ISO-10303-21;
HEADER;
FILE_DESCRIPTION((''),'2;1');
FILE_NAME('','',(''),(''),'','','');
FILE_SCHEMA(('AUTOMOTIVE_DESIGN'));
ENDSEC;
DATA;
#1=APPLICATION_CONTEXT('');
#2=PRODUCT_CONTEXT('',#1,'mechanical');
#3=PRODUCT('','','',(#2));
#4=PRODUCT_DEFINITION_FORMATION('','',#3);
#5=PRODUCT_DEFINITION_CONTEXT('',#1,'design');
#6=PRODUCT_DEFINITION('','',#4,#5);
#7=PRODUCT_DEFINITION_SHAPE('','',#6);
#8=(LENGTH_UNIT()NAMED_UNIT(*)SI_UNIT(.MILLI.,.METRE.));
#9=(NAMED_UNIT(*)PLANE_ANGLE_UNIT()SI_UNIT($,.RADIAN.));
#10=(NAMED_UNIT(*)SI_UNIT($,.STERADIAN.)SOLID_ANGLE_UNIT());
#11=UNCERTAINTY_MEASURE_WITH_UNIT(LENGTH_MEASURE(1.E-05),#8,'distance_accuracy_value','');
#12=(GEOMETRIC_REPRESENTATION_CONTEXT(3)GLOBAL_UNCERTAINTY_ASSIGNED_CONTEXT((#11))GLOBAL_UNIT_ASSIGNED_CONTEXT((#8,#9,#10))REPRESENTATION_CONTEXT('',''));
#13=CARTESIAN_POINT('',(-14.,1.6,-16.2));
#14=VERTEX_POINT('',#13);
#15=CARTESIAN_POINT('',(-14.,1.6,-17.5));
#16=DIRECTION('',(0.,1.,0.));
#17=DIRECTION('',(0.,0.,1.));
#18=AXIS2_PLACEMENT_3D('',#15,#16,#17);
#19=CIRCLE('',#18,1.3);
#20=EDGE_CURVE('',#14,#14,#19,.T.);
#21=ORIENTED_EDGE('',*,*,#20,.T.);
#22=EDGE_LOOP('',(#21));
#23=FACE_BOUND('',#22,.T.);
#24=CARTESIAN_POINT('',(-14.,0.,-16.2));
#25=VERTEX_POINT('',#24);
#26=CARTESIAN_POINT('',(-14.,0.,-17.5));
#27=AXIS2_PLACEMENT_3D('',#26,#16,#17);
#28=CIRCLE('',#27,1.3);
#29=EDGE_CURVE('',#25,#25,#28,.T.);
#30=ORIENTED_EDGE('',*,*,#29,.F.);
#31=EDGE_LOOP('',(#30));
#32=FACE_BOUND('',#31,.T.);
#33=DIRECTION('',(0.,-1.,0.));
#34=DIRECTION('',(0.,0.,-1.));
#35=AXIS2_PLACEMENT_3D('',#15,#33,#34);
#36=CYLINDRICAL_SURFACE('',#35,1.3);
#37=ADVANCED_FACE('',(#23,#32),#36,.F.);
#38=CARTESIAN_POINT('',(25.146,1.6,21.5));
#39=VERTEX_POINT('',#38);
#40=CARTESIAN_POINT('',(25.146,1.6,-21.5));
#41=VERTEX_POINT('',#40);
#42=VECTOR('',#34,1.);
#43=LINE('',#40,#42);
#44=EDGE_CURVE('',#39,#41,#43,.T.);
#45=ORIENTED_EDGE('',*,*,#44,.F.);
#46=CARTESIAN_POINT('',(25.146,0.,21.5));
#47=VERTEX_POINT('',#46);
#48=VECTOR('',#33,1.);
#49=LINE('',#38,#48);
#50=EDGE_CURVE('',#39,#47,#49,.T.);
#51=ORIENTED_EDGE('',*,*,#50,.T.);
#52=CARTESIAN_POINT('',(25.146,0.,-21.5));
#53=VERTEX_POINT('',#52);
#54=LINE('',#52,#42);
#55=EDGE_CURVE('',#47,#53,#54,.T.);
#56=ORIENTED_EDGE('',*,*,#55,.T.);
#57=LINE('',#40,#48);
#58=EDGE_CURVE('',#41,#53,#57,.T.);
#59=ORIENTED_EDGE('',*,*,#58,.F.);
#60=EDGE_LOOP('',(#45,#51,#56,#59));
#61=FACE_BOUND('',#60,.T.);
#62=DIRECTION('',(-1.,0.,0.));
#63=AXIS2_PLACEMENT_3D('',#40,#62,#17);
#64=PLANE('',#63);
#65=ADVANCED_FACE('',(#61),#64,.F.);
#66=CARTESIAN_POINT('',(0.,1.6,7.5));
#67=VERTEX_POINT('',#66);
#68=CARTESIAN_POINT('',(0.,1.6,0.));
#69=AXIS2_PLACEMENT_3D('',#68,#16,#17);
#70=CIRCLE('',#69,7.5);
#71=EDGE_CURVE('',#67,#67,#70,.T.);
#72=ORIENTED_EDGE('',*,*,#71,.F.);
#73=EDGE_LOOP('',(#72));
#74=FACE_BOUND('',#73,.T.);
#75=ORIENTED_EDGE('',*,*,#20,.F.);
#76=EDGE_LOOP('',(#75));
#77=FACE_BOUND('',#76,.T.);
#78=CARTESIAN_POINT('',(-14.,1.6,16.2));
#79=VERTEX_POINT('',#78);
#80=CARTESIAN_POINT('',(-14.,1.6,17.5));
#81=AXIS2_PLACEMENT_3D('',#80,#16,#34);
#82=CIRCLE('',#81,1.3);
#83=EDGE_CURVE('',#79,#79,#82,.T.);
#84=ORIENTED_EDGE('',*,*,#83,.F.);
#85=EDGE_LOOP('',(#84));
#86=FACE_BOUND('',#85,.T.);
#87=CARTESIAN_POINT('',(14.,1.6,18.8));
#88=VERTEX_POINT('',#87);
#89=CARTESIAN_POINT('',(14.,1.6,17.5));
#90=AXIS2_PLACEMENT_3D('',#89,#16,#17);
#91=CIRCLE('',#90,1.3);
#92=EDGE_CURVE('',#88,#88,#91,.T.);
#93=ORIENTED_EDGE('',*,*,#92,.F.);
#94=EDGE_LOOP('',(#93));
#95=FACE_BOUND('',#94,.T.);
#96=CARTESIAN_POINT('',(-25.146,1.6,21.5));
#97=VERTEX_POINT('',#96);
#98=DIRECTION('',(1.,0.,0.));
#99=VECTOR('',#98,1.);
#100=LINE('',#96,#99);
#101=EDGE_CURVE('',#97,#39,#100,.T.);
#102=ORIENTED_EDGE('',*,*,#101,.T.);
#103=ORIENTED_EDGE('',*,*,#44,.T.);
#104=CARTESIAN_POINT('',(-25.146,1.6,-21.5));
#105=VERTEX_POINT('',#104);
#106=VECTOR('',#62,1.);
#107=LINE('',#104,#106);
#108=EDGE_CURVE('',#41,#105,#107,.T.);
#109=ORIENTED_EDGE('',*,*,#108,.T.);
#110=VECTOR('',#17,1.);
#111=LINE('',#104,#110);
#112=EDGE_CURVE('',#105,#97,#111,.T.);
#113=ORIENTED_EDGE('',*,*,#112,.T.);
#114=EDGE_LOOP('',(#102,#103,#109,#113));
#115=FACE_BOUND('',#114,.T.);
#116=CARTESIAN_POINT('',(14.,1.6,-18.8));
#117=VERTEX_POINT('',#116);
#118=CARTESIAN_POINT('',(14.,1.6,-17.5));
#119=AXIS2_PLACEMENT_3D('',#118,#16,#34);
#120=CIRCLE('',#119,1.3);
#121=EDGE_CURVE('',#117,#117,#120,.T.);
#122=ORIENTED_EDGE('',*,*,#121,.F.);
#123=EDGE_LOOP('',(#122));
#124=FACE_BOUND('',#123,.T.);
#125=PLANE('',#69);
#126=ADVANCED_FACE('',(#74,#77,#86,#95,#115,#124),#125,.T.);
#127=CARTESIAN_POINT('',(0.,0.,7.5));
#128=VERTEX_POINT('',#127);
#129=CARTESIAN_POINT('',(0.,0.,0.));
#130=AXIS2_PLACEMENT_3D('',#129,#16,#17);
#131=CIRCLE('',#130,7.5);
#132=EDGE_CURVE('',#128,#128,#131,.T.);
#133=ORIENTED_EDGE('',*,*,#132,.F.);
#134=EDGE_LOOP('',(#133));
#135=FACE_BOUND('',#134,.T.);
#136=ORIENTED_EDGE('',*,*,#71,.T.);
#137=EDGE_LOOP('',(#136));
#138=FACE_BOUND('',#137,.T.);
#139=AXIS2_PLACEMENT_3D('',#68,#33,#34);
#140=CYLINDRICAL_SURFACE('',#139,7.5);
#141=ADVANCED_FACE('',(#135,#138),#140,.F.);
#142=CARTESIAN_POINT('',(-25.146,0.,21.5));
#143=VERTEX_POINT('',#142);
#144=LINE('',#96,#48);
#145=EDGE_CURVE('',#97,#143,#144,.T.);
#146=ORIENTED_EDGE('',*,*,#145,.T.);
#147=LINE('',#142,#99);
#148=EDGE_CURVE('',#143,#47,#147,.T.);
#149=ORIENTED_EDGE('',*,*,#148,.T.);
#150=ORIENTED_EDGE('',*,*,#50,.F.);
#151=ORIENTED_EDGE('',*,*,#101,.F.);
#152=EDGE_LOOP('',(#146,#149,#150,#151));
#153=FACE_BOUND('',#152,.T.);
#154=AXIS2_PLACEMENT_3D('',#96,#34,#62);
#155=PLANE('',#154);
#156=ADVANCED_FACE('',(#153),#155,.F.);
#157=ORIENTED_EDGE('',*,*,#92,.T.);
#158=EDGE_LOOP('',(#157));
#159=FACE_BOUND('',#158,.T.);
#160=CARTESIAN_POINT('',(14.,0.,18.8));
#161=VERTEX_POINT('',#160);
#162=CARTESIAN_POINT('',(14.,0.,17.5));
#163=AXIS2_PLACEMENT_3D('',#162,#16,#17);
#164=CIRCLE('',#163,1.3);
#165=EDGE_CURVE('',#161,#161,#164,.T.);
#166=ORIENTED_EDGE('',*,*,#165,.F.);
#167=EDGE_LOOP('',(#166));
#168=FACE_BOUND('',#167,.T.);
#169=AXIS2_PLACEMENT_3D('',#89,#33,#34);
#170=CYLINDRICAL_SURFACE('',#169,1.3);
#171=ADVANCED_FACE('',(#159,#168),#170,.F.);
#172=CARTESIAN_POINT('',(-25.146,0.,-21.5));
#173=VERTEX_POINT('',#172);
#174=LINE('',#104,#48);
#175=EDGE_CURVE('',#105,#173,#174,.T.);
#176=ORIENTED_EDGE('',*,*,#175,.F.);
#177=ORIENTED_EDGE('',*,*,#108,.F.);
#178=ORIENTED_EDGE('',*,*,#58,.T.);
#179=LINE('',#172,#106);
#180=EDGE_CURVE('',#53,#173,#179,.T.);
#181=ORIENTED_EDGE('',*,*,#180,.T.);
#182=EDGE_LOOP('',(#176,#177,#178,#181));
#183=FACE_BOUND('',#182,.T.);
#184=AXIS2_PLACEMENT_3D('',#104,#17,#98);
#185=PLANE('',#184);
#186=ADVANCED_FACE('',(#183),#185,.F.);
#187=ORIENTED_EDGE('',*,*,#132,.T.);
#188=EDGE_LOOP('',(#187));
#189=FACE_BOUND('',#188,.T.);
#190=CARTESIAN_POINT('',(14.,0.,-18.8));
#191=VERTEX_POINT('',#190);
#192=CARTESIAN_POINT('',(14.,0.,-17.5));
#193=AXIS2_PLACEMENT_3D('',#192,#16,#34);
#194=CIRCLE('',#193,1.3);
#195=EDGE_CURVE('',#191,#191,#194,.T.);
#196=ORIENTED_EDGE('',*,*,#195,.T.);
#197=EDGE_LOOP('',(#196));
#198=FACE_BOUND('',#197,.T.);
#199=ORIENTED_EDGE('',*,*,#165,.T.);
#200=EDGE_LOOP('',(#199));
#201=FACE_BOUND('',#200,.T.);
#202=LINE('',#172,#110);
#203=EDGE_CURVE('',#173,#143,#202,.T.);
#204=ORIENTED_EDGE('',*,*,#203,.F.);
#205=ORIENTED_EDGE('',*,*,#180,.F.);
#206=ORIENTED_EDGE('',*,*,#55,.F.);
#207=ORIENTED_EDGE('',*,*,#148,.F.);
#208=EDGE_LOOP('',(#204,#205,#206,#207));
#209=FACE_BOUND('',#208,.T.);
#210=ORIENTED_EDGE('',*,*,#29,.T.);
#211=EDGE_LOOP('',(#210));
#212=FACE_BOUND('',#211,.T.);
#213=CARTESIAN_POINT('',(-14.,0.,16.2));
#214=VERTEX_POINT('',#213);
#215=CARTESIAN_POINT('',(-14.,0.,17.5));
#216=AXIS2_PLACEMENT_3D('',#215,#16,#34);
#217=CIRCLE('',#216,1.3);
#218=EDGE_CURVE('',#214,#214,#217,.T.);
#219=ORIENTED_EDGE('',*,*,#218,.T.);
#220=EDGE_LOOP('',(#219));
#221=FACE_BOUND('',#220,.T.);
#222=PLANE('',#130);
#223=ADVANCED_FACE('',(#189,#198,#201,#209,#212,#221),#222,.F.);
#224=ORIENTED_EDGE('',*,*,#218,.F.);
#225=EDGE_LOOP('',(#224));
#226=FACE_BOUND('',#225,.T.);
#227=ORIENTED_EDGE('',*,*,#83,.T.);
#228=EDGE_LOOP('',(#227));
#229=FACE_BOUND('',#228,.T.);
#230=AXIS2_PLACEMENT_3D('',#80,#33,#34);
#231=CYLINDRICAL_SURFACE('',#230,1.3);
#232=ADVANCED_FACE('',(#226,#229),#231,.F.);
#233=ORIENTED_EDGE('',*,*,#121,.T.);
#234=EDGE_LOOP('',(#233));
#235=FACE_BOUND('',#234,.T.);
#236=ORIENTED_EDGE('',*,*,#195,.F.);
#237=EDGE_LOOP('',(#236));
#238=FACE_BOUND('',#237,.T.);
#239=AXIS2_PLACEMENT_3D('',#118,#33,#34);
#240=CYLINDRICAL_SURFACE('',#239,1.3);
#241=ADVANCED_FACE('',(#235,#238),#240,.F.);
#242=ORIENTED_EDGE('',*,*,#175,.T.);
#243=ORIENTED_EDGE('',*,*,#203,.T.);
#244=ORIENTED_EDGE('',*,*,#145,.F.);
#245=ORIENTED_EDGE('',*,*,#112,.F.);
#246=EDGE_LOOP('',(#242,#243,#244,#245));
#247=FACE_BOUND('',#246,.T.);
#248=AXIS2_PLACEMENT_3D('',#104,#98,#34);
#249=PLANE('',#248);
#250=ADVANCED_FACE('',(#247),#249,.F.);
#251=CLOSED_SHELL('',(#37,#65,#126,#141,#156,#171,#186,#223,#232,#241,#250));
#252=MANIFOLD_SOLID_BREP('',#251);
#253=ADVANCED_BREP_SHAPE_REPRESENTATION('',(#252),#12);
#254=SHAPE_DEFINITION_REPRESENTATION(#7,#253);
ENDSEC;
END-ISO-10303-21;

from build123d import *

# Parameters (mm, degrees)
SKETCH1_W           = 50.292
SKETCH1_H           = 43
SKETCH1_R           = 7.5
BOSS_EXTRUDE1_DEPTH = 1.6
SKETCH2_R           = 1.3
CUT_EXTRUDE3_DEPTH  = 2.6


with BuildPart() as part:
    # Sketch1 → Boss-Extrude1 (new body)
    with BuildSketch(Plane(origin=(0, 0, 0), x_dir=(1, 0, 0), z_dir=(0, 1, 0))):
        Rectangle(SKETCH1_W, SKETCH1_H)
        Circle(SKETCH1_R, mode=Mode.SUBTRACT)
    extrude(amount=BOSS_EXTRUDE1_DEPTH)

    # Sketch2 → Cut-Extrude3 (cut, through all)
    with BuildSketch(Plane(origin=(0, 0, 0), x_dir=(1, 0, 0), z_dir=(0, 1, 0))):
        with Locations((-14, 17.5)):
            Circle(SKETCH2_R)
        with Locations((14, 17.5)):
            Circle(SKETCH2_R)
        with Locations((14, -17.5)):
            Circle(SKETCH2_R)
        with Locations((-14, -17.5)):
            Circle(SKETCH2_R)
    extrude(amount=CUT_EXTRUDE3_DEPTH, mode=Mode.SUBTRACT)


solid = part.part
